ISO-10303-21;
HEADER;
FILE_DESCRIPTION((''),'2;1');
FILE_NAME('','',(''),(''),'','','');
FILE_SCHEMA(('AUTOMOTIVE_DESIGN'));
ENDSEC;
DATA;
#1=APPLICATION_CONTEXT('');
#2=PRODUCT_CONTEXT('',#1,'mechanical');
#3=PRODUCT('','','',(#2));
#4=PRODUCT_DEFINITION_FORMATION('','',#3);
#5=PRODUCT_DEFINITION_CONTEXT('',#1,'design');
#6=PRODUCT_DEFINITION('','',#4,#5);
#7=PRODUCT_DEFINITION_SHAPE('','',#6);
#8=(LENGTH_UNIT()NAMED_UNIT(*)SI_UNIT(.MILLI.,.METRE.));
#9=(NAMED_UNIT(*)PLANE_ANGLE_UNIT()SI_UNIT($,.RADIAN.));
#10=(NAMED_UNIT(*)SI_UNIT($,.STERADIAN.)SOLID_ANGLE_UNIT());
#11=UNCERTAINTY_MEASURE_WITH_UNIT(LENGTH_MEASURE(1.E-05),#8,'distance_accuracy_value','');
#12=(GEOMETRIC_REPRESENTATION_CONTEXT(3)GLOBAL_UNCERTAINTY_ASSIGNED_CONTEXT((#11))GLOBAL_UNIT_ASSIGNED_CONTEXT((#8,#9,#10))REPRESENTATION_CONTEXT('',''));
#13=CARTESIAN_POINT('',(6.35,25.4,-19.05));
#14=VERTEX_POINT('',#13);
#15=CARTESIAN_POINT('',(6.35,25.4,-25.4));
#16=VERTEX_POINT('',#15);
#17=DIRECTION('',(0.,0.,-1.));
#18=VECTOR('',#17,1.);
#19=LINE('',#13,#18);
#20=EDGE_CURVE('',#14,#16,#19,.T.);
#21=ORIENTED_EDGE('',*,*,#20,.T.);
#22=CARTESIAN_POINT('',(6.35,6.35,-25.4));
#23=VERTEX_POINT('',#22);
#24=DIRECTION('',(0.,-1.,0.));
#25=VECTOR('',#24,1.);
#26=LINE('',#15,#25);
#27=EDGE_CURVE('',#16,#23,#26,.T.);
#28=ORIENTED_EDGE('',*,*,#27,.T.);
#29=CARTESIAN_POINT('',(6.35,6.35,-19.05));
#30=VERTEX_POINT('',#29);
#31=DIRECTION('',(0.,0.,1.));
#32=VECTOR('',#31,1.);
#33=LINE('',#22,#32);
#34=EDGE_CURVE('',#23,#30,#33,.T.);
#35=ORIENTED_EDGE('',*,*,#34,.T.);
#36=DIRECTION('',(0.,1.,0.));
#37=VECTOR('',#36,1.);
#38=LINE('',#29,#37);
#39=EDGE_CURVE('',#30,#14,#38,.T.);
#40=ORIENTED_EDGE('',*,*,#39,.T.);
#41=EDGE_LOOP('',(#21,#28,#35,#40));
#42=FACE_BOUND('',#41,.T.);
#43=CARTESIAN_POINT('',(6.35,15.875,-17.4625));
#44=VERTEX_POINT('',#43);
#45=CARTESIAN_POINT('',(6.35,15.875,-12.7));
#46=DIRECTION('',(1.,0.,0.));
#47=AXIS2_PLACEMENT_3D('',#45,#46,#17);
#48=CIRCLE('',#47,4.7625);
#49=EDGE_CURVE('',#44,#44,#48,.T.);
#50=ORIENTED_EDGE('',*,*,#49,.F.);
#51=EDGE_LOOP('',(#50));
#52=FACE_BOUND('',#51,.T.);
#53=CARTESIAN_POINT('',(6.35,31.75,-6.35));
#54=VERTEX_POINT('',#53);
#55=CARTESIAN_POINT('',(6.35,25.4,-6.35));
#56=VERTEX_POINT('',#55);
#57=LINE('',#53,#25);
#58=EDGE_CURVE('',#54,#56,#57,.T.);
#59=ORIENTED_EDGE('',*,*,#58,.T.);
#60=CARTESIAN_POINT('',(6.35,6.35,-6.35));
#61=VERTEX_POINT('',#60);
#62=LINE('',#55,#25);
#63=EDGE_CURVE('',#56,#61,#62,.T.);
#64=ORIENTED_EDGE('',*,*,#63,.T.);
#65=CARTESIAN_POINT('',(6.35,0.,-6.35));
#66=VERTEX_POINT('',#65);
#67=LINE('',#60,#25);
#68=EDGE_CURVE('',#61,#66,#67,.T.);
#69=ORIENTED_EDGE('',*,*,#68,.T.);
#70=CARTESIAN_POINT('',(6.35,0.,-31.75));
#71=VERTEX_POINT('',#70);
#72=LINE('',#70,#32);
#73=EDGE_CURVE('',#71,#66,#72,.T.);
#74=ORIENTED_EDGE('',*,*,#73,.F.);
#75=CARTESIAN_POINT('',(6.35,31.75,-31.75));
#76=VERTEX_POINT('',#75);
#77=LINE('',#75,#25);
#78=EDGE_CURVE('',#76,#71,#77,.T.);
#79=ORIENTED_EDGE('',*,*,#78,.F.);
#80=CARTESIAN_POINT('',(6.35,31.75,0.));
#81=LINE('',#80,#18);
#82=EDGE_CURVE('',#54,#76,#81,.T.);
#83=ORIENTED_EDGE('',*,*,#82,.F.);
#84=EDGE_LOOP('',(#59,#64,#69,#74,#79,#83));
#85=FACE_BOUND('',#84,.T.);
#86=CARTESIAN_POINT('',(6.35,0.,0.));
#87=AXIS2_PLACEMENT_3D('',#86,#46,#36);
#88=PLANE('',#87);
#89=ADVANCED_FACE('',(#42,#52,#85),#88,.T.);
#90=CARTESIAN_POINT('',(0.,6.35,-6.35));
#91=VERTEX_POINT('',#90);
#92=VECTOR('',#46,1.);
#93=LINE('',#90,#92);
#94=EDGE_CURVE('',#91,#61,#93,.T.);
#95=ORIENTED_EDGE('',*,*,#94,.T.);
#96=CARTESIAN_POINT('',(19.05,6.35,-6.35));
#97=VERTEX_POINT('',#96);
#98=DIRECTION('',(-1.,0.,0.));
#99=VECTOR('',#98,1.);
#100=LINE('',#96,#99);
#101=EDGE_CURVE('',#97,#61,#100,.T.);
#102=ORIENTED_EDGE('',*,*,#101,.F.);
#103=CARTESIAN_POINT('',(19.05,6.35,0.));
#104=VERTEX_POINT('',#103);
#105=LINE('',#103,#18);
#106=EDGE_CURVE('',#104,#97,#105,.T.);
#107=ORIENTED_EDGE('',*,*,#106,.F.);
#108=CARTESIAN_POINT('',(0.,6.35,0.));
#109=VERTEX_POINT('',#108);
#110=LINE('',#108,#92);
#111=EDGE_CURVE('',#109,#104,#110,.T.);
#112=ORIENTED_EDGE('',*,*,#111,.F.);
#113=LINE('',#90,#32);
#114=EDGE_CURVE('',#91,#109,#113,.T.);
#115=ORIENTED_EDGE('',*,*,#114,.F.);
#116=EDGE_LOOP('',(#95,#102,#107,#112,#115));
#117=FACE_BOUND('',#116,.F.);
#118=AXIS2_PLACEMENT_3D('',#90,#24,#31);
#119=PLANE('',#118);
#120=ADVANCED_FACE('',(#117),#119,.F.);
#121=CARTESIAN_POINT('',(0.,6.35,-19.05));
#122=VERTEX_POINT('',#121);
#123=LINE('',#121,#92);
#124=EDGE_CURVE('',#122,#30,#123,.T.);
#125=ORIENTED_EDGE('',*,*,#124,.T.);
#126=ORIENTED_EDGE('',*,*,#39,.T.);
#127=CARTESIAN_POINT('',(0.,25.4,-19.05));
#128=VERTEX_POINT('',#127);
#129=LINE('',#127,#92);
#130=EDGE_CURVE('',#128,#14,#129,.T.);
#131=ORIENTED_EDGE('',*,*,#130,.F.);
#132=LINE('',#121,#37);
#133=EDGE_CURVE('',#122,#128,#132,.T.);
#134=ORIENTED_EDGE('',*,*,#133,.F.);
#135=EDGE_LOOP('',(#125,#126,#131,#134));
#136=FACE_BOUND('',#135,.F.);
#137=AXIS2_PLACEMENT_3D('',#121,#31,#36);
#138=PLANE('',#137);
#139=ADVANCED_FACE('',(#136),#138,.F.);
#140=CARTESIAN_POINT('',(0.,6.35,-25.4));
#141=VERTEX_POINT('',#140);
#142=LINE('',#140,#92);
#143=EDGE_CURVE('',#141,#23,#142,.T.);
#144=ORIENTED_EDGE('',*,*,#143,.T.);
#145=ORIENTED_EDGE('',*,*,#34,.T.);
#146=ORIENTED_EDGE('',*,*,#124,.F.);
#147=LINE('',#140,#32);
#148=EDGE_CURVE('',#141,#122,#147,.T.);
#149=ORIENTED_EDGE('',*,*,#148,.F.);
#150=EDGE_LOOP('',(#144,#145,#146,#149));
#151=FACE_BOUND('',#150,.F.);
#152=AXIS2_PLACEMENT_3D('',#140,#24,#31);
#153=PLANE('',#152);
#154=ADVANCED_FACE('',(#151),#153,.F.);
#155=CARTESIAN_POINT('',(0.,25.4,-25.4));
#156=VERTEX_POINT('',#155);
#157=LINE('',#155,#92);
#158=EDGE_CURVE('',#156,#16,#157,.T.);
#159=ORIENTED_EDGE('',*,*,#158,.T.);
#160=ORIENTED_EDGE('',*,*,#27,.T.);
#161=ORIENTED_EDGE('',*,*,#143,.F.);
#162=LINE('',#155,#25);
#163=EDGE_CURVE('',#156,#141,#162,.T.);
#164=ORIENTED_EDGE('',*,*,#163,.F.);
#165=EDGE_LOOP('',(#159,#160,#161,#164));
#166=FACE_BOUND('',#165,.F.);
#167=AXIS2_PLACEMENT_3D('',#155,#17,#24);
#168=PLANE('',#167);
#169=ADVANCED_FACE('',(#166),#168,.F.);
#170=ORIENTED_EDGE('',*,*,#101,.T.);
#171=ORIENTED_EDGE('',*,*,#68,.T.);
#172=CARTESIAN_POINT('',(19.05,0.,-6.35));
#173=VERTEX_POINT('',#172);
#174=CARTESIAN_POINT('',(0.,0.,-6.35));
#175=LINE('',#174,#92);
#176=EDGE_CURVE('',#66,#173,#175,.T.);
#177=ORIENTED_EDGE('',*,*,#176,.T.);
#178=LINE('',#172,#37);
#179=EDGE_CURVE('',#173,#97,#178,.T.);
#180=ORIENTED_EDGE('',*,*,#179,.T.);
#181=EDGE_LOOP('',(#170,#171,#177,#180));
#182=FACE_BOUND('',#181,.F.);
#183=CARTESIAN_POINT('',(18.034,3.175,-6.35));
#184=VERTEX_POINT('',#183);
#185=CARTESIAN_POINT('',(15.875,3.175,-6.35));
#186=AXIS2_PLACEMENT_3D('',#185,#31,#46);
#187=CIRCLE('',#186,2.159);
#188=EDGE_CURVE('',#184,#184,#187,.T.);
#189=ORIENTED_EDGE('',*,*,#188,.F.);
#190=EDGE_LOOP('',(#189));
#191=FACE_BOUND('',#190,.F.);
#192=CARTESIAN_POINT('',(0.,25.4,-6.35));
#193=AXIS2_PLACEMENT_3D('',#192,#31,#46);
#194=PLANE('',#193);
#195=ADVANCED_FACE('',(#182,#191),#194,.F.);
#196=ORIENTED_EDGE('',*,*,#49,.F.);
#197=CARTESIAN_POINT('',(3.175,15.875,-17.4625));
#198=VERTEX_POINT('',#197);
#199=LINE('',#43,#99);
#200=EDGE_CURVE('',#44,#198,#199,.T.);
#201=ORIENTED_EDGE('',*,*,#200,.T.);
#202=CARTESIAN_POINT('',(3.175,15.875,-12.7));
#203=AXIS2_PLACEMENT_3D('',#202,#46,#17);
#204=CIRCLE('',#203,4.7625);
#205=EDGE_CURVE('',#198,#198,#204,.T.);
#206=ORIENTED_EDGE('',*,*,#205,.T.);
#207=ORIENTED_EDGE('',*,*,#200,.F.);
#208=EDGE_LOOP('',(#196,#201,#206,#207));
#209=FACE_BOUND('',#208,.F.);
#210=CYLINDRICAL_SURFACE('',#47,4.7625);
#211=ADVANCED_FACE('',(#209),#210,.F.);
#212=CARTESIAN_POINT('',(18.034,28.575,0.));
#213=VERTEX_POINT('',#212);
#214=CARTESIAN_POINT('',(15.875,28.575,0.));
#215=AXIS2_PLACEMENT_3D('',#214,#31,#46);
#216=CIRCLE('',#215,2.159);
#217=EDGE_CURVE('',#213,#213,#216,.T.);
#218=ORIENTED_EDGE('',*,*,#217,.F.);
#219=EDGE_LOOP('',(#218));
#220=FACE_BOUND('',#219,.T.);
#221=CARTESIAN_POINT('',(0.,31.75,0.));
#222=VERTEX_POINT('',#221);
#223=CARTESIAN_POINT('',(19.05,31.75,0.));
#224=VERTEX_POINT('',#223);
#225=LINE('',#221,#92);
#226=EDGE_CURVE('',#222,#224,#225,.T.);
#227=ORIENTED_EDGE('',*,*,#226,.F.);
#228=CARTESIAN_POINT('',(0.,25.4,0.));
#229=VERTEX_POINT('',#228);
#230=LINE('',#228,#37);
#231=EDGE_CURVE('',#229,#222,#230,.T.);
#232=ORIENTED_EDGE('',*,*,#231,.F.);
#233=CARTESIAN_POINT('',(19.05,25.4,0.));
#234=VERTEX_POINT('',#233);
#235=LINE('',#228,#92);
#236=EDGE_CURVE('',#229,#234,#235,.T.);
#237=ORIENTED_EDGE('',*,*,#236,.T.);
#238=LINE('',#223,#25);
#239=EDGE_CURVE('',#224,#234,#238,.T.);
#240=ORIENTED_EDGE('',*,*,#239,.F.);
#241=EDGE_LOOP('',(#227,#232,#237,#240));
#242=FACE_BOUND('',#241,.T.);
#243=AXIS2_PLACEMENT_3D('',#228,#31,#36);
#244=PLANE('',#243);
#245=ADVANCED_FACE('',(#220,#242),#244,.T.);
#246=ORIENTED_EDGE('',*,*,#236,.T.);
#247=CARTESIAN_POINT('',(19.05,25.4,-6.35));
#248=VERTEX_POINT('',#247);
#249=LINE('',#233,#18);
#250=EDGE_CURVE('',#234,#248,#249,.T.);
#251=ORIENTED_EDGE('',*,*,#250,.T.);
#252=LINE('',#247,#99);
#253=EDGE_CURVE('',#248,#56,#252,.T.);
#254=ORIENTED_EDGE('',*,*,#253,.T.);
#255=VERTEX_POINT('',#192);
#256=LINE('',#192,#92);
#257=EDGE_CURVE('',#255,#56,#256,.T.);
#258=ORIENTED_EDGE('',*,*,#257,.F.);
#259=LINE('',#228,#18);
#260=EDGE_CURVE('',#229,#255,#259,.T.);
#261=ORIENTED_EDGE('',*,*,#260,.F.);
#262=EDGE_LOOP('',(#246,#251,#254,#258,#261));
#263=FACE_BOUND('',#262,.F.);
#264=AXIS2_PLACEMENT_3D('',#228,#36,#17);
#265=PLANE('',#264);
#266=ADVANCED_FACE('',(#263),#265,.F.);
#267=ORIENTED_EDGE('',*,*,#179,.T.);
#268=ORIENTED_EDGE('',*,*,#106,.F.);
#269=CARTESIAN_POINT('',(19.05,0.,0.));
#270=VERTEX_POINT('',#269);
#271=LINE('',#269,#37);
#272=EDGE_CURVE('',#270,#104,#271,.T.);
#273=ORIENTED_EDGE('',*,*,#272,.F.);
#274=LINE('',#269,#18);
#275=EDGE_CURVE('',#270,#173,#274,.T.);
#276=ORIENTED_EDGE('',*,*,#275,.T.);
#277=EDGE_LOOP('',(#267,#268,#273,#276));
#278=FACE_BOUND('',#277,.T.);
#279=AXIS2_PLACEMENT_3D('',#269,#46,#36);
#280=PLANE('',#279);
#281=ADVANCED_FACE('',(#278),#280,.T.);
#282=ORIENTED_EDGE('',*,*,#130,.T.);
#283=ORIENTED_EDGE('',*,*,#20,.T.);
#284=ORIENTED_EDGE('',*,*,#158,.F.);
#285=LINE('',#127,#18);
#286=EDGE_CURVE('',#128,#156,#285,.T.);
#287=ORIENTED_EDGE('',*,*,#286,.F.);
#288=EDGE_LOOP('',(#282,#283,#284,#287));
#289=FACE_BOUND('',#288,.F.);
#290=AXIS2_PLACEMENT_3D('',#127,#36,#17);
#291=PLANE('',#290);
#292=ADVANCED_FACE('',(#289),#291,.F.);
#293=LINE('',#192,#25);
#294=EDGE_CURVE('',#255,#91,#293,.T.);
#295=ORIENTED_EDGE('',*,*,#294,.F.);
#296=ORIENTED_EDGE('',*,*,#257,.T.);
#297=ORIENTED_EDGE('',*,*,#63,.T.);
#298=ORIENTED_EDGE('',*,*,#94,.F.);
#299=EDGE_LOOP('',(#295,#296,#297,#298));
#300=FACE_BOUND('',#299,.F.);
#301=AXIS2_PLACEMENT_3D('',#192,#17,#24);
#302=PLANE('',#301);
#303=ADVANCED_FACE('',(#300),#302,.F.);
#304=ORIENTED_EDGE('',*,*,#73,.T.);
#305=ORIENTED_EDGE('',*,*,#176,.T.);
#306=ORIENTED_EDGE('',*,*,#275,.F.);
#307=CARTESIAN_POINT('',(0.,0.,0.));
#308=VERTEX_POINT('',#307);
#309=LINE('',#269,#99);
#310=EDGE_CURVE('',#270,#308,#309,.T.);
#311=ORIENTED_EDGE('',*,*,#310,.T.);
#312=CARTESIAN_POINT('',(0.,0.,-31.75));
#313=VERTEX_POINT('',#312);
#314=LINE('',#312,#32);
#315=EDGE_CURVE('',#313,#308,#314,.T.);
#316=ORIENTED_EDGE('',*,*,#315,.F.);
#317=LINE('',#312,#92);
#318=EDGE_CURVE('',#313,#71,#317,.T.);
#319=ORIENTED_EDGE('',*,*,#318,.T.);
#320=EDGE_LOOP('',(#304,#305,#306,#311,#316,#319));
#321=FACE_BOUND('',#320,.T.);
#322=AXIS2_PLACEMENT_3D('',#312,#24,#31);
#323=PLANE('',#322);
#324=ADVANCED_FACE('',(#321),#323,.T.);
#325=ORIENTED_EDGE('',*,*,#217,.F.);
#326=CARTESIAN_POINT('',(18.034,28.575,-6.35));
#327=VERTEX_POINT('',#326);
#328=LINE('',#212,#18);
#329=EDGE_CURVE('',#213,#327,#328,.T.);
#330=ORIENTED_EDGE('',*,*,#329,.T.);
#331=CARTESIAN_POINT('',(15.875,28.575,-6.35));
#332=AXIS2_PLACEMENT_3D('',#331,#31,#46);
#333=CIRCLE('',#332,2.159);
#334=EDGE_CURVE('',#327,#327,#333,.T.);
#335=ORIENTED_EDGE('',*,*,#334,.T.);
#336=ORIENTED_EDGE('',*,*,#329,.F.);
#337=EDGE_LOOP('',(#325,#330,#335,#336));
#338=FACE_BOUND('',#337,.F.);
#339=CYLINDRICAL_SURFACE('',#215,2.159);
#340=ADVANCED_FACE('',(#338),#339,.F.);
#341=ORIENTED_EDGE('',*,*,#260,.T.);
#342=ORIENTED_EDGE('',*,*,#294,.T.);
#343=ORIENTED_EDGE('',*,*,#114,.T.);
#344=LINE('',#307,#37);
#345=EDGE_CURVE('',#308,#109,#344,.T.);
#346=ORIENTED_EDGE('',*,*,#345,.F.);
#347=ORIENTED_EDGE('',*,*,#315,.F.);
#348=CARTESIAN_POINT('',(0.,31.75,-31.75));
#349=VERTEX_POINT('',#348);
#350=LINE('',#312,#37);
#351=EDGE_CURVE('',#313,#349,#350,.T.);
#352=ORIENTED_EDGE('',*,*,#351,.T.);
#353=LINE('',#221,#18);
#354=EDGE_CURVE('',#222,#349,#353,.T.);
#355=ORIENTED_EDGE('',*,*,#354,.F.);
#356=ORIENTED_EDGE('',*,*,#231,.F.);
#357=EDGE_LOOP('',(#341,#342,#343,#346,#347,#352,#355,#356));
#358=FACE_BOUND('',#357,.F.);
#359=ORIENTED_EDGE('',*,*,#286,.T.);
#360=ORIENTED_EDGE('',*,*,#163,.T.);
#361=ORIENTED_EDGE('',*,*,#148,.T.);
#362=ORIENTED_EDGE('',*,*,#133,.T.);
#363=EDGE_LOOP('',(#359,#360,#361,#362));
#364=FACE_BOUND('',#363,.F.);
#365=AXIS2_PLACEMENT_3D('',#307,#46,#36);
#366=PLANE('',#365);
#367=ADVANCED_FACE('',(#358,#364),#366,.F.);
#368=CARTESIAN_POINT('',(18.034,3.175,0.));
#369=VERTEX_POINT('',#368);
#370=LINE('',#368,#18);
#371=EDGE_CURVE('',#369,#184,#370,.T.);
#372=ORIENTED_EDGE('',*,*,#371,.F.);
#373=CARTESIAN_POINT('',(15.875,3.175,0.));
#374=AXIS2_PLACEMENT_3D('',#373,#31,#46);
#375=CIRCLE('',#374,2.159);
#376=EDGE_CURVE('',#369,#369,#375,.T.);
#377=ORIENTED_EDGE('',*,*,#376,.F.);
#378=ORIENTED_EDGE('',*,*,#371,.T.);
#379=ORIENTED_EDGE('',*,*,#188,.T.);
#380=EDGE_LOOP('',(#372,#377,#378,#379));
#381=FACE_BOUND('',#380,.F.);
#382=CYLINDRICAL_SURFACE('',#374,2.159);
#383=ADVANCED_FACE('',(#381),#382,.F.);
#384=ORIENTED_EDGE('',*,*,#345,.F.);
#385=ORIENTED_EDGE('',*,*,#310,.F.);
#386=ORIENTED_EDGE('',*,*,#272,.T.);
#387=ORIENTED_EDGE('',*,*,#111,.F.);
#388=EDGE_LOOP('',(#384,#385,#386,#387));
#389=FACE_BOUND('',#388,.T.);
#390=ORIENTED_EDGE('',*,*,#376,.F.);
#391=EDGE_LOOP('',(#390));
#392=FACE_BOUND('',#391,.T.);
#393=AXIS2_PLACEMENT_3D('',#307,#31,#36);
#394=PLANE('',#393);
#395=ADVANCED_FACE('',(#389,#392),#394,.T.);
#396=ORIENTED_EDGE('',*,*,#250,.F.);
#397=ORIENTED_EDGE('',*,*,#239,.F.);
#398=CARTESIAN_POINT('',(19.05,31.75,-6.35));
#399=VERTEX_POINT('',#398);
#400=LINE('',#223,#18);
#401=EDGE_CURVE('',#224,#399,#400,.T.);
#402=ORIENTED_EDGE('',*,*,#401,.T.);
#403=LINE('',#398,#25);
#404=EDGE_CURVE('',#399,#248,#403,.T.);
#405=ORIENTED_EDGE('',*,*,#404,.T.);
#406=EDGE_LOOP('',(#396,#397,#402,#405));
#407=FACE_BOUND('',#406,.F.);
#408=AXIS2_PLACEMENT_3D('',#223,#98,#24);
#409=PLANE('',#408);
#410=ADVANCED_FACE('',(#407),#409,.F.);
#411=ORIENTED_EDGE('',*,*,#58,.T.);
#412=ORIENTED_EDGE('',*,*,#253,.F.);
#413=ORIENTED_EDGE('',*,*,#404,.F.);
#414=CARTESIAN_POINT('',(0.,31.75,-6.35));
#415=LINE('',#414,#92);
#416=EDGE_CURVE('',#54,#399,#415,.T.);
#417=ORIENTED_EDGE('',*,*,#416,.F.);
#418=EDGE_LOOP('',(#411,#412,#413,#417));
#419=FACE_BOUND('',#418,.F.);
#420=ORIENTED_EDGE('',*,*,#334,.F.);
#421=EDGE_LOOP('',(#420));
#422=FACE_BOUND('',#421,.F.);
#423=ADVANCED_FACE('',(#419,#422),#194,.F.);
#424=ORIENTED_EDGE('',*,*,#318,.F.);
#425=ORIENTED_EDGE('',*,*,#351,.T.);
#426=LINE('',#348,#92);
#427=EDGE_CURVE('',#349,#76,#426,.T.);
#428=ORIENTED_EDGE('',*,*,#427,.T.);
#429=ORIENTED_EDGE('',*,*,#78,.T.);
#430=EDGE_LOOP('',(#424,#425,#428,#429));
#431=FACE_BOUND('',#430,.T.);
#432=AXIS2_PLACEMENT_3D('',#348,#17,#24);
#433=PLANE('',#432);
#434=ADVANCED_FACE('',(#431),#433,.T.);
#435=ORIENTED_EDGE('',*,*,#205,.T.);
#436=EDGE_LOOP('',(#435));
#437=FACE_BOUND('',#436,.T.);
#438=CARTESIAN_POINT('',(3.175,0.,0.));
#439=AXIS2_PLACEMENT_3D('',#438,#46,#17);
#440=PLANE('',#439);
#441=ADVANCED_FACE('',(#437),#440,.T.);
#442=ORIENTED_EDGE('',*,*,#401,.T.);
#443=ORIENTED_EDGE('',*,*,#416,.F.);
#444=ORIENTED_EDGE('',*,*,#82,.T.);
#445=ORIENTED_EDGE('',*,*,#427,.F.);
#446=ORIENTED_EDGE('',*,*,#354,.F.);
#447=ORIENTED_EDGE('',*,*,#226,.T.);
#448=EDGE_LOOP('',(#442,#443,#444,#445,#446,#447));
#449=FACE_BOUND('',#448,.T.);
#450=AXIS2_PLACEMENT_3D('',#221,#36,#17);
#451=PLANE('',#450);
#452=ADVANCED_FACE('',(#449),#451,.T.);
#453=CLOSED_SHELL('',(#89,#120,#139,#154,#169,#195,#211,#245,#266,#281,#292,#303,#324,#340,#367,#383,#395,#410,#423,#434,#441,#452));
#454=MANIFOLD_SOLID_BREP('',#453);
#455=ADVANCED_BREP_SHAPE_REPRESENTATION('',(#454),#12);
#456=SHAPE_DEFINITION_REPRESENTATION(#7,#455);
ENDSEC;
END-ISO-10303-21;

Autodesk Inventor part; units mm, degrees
ref_plane "YZ Plane" through (0, 0, 0) normal (1, 0, 0) x (0, 1, 0)
ref_plane "XZ Plane" through (0, 0, 0) normal (0, 1, 0) x (-1, 0, 0)
ref_plane "XY Plane" through (0, 0, 0) normal (0, 0, 1) x (1, 0, 0)
sketch "Sketch1" plane through (0, 0, 0) normal (1, 0, 0) x (0, 1, 0)
  line L0 (31.75, 0) -> (31.75, -31.75)
  line L1 (31.75, -31.75) -> (0, -31.75)
  line L2 (0, -31.75) -> (0, 0)
  line L3 (25.4, 0) -> (25.4, -6.35)
  line L4 (25.4, -6.35) -> (6.35, -6.35)
  line L5 (6.35, -6.35) -> (6.35, 0)
  line L6 (6.35, -31.75) -> (25.4, -31.75)
  line L7 (0, 0) -> (6.35, 0)
  line L8 (25.4, 0) -> (31.75, 0)
  line L9 (6.35, -19.05) -> (25.4, -19.05)
  line L10 (25.4, -19.05) -> (25.4, -25.4)
  line L11 (25.4, -25.4) -> (6.35, -25.4)
  line L12 (6.35, -25.4) -> (6.35, -19.05)
  dimension "d6" = 6.35
  dimension "d8" = 19.05
  dimension "d9" = 6.35
  dimension "d10" = 6.35
  dimension "d11" = 6.35
  dimension "d19" = 31.75
  dimension "d20" = 31.75
extrude "Extrusion1" add sketch "Sketch1" along normal blind 6.35
sketch "Sketch2" plane through (6.35, 0, 0) normal (1, 0, 0) x (0, 0, -1)
  line L0 (19.05, 25.4) -> (25.4, 25.4) projected
  line L1 (25.4, 25.4) -> (25.4, 6.35) projected
  line L2 (25.4, 6.35) -> (19.05, 6.35) projected
  line L3 (19.05, 6.35) -> (19.05, 25.4) projected
  line L4 (0, 0) -> (31.75, 0) projected
  line L5 (31.75, 0) -> (31.75, 31.75) projected
  line L6 (31.75, 31.75) -> (0, 31.75) projected
  line L7 (0, 31.75) -> (0, 25.4) projected
  line L8 (0, 25.4) -> (6.35, 25.4) projected
  line L9 (6.35, 25.4) -> (6.35, 6.35) projected
  line L10 (6.35, 6.35) -> (0, 6.35) projected
  line L11 (0, 6.35) -> (0, 0) projected
  circle A0 centre (12.7, 15.875) radius 4.7625
  dimension "d14" = 9.525
  dimension "d15" = 15.875
  dimension "d16" = 6.35
extrude "Extrusion2" cut sketch "Sketch2" against normal blind 3.175 contours A0
sketch "Sketch3" plane through (0, 25.4, 0) normal (0, 0, 1) x (1, 0, 0)
  line L0 (0, 6.35) -> (0, 0) projected
  line L1 (0, 0) -> (6.35, 0) projected
  line L2 (6.35, 6.35) -> (6.35, 0) projected
  line L3 (0, 6.35) -> (6.35, 6.35) projected
  line L4 (0, -19.05) -> (0, -25.4) projected
  line L5 (0, -25.4) -> (6.35, -25.4) projected
  line L6 (6.35, -19.05) -> (6.35, -25.4) projected
  line L7 (0, -19.05) -> (6.35, -19.05) projected
  line L8 (0, 6.35) -> (19.05, 6.35)
  line L9 (19.05, 6.35) -> (19.05, 0)
  line L10 (19.05, 0) -> (0, 0)
  line L11 (0, 0) -> (0, 6.35)
  line L12 (0, -25.4) -> (19.05, -25.4)
  line L13 (19.05, -25.4) -> (19.05, -19.05)
  line L14 (19.05, -19.05) -> (0, -19.05)
  line L15 (0, -19.05) -> (0, -25.4)
  circle A0 centre (15.875, 3.175) radius 2.159
  circle A1 centre (15.875, -22.225) radius 2.159
  dimension "d21" = 19.05
  dimension "d22" = 4.318
  dimension "d23" = 3.175
  dimension "d24" = 4.318
extrude "Extrusion3" add sketch "Sketch3" against normal blind 6.35 contours L8 L9 L10 L2 | L14 L13 L12 L6
equation "\"d20\" = d19"
properties part number "TensionerPlate"
